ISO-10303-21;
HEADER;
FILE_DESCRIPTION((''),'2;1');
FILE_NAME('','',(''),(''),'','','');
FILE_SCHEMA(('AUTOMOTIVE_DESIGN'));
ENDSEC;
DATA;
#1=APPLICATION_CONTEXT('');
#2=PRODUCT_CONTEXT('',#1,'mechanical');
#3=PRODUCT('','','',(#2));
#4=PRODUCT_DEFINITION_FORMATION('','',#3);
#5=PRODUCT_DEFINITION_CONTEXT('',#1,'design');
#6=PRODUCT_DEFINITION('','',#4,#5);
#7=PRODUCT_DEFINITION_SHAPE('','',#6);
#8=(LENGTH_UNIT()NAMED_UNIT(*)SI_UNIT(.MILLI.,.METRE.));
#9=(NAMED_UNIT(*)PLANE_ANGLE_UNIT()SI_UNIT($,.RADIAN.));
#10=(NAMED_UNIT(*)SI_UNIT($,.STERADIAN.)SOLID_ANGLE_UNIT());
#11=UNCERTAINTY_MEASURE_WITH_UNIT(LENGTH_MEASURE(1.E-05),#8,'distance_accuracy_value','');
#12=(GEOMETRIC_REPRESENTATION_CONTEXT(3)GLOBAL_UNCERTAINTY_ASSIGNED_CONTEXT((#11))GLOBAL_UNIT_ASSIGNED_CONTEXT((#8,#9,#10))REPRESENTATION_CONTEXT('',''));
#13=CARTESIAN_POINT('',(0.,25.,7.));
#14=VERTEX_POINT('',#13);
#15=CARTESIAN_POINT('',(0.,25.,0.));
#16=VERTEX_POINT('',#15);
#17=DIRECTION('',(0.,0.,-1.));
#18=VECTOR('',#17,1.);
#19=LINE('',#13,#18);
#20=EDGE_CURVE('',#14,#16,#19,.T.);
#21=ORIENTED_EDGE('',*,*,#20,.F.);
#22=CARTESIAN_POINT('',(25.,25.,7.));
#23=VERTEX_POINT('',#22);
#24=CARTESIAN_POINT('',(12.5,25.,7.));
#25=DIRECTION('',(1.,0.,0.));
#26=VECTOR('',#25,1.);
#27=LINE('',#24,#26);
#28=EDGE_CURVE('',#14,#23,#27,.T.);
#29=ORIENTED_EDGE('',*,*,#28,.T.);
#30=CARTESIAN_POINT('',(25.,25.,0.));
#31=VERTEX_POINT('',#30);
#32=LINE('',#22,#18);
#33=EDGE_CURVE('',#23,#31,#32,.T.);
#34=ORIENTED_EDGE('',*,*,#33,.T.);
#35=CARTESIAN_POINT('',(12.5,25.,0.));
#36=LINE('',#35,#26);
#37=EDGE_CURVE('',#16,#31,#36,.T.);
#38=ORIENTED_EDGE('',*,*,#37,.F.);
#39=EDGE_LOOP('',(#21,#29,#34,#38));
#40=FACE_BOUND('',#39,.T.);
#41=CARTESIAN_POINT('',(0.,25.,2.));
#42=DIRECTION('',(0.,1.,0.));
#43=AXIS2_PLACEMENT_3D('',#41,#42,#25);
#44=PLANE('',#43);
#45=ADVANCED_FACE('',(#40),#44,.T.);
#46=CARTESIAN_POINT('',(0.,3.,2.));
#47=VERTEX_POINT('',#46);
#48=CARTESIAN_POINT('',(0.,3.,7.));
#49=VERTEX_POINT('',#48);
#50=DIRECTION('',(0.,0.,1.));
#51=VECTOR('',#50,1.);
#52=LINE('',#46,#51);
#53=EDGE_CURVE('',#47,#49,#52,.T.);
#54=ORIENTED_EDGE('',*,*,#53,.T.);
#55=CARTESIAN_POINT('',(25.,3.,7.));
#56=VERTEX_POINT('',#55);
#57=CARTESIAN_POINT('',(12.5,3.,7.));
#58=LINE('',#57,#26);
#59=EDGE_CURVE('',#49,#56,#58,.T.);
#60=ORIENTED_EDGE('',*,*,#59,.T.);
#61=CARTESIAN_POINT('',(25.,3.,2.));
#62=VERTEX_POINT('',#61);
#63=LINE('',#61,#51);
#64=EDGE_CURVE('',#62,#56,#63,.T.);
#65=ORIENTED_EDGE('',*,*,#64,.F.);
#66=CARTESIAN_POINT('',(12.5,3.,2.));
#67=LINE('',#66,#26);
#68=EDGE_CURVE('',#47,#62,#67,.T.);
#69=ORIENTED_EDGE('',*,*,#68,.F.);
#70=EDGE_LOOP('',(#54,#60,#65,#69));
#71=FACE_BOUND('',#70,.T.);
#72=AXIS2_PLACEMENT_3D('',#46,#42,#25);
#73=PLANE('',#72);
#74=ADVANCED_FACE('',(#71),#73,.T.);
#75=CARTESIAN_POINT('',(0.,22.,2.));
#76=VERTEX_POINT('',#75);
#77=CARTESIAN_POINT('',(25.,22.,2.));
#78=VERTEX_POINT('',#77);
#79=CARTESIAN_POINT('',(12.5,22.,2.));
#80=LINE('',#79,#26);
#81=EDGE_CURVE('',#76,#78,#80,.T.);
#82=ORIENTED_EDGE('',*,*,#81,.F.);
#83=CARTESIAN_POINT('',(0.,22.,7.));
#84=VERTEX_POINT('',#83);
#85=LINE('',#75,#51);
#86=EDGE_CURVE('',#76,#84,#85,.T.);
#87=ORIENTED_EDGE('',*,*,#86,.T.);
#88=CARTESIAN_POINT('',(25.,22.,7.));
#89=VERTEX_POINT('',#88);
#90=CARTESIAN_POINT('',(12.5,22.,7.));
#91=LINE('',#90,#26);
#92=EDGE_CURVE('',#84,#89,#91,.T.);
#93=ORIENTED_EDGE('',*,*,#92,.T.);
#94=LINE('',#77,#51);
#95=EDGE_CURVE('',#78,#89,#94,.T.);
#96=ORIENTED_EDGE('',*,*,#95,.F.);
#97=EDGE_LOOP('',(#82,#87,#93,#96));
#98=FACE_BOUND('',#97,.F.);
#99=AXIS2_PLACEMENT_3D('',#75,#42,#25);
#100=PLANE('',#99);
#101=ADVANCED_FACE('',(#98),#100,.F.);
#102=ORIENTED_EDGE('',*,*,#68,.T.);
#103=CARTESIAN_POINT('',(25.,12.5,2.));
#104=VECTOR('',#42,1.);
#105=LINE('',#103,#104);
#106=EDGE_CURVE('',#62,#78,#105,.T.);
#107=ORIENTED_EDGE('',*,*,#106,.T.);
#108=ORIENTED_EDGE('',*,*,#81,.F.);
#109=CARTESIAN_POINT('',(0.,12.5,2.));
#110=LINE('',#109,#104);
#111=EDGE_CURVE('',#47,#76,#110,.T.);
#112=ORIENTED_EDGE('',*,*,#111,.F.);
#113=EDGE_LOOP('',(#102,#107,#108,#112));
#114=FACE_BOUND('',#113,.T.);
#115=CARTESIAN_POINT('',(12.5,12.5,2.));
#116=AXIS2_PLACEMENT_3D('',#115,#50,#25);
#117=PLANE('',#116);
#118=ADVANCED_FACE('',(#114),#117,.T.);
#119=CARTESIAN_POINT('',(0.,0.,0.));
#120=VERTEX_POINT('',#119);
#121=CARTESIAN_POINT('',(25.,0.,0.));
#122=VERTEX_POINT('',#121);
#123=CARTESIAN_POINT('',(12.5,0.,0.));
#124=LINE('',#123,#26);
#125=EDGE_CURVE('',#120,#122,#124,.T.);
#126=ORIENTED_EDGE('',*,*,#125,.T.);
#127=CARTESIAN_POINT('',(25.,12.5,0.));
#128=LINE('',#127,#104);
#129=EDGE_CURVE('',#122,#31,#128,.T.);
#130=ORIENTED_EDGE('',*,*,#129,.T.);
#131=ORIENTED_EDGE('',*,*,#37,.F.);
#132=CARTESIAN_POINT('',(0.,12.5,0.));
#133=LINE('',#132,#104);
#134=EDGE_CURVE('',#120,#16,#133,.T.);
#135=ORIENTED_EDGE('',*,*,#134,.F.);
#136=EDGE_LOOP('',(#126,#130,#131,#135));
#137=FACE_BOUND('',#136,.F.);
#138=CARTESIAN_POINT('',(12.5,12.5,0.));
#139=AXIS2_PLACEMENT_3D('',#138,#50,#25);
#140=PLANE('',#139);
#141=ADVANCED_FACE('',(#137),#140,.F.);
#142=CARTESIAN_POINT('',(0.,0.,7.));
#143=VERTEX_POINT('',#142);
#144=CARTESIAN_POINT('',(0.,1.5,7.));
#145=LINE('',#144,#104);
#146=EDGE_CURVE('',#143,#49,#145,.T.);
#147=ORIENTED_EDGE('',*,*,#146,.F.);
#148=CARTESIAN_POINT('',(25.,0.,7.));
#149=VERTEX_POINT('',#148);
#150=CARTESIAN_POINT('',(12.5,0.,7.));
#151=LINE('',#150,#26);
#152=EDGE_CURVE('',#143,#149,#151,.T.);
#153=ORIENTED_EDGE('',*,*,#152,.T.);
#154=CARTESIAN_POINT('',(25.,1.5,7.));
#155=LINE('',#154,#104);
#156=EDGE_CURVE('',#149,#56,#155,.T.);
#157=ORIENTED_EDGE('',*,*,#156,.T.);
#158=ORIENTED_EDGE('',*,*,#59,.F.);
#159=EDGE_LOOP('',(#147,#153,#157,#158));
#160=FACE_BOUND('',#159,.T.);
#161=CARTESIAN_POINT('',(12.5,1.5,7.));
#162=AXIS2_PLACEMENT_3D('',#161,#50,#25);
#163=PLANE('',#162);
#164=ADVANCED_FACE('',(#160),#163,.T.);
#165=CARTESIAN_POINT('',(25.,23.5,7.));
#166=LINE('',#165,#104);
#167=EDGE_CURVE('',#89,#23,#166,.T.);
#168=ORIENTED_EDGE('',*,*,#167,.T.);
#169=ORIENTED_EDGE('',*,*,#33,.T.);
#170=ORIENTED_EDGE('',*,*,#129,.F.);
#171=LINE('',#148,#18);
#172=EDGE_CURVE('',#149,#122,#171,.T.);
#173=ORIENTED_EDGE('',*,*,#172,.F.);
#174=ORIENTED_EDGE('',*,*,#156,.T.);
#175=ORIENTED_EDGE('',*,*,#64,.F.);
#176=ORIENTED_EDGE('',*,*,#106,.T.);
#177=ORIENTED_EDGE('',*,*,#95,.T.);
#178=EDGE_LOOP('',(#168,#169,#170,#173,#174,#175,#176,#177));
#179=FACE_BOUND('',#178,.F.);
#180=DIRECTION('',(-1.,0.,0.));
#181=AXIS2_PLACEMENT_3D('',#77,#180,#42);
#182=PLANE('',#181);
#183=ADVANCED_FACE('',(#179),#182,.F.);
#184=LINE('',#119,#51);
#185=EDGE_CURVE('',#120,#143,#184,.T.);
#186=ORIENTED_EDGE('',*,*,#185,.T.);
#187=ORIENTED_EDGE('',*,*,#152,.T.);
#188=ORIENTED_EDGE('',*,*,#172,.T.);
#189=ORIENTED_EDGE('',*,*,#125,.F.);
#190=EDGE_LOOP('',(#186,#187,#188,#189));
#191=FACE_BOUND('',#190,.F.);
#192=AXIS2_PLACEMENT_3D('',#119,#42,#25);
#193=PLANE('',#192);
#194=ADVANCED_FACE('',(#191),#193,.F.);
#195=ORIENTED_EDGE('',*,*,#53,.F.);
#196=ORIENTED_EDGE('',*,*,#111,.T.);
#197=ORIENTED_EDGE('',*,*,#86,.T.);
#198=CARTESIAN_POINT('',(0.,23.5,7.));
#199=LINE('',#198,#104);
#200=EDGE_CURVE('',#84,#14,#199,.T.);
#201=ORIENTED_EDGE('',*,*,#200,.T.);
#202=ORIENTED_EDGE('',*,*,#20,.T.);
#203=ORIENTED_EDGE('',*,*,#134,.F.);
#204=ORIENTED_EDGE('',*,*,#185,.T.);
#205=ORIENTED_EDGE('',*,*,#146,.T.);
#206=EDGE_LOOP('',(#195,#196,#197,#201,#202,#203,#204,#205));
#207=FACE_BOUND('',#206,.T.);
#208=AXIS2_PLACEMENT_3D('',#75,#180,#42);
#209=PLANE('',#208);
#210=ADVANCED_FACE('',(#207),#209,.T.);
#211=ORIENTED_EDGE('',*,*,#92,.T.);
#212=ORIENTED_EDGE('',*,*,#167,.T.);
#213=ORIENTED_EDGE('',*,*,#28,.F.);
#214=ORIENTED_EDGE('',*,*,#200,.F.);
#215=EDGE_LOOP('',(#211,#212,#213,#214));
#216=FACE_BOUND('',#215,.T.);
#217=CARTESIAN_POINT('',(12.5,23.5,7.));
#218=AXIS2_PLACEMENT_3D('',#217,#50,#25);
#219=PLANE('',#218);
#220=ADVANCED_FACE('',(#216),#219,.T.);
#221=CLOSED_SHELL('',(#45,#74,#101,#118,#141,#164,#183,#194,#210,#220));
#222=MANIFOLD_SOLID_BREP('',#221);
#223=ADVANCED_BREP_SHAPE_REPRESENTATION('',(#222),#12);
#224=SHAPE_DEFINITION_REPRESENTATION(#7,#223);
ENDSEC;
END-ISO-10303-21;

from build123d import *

# Parameters (mm, degrees)
SKETCH_W     = 25
SKETCH_H     = 25
PAD_DEPTH    = 2
SKETCH001_W  = 25
SKETCH001_H  = 3
PAD001_DEPTH = 5


with BuildPart() as part:
    # Sketch → Pad (new body)
    with BuildSketch(Plane.XY):
        with Locations((12.5, 12.5)):
            Rectangle(SKETCH_W, SKETCH_H)
    extrude(amount=PAD_DEPTH)

    # Sketch001 (on Face6 of Pad) → Pad001 (join)
    with BuildSketch(Plane.XY.offset(2)):
        with Locations((12.5, 23.5)):
            Rectangle(SKETCH001_W, SKETCH001_H)
        with Locations((12.5, 1.5)):
            Rectangle(SKETCH001_W, SKETCH001_H)
    extrude(amount=PAD001_DEPTH)


solid = part.part
